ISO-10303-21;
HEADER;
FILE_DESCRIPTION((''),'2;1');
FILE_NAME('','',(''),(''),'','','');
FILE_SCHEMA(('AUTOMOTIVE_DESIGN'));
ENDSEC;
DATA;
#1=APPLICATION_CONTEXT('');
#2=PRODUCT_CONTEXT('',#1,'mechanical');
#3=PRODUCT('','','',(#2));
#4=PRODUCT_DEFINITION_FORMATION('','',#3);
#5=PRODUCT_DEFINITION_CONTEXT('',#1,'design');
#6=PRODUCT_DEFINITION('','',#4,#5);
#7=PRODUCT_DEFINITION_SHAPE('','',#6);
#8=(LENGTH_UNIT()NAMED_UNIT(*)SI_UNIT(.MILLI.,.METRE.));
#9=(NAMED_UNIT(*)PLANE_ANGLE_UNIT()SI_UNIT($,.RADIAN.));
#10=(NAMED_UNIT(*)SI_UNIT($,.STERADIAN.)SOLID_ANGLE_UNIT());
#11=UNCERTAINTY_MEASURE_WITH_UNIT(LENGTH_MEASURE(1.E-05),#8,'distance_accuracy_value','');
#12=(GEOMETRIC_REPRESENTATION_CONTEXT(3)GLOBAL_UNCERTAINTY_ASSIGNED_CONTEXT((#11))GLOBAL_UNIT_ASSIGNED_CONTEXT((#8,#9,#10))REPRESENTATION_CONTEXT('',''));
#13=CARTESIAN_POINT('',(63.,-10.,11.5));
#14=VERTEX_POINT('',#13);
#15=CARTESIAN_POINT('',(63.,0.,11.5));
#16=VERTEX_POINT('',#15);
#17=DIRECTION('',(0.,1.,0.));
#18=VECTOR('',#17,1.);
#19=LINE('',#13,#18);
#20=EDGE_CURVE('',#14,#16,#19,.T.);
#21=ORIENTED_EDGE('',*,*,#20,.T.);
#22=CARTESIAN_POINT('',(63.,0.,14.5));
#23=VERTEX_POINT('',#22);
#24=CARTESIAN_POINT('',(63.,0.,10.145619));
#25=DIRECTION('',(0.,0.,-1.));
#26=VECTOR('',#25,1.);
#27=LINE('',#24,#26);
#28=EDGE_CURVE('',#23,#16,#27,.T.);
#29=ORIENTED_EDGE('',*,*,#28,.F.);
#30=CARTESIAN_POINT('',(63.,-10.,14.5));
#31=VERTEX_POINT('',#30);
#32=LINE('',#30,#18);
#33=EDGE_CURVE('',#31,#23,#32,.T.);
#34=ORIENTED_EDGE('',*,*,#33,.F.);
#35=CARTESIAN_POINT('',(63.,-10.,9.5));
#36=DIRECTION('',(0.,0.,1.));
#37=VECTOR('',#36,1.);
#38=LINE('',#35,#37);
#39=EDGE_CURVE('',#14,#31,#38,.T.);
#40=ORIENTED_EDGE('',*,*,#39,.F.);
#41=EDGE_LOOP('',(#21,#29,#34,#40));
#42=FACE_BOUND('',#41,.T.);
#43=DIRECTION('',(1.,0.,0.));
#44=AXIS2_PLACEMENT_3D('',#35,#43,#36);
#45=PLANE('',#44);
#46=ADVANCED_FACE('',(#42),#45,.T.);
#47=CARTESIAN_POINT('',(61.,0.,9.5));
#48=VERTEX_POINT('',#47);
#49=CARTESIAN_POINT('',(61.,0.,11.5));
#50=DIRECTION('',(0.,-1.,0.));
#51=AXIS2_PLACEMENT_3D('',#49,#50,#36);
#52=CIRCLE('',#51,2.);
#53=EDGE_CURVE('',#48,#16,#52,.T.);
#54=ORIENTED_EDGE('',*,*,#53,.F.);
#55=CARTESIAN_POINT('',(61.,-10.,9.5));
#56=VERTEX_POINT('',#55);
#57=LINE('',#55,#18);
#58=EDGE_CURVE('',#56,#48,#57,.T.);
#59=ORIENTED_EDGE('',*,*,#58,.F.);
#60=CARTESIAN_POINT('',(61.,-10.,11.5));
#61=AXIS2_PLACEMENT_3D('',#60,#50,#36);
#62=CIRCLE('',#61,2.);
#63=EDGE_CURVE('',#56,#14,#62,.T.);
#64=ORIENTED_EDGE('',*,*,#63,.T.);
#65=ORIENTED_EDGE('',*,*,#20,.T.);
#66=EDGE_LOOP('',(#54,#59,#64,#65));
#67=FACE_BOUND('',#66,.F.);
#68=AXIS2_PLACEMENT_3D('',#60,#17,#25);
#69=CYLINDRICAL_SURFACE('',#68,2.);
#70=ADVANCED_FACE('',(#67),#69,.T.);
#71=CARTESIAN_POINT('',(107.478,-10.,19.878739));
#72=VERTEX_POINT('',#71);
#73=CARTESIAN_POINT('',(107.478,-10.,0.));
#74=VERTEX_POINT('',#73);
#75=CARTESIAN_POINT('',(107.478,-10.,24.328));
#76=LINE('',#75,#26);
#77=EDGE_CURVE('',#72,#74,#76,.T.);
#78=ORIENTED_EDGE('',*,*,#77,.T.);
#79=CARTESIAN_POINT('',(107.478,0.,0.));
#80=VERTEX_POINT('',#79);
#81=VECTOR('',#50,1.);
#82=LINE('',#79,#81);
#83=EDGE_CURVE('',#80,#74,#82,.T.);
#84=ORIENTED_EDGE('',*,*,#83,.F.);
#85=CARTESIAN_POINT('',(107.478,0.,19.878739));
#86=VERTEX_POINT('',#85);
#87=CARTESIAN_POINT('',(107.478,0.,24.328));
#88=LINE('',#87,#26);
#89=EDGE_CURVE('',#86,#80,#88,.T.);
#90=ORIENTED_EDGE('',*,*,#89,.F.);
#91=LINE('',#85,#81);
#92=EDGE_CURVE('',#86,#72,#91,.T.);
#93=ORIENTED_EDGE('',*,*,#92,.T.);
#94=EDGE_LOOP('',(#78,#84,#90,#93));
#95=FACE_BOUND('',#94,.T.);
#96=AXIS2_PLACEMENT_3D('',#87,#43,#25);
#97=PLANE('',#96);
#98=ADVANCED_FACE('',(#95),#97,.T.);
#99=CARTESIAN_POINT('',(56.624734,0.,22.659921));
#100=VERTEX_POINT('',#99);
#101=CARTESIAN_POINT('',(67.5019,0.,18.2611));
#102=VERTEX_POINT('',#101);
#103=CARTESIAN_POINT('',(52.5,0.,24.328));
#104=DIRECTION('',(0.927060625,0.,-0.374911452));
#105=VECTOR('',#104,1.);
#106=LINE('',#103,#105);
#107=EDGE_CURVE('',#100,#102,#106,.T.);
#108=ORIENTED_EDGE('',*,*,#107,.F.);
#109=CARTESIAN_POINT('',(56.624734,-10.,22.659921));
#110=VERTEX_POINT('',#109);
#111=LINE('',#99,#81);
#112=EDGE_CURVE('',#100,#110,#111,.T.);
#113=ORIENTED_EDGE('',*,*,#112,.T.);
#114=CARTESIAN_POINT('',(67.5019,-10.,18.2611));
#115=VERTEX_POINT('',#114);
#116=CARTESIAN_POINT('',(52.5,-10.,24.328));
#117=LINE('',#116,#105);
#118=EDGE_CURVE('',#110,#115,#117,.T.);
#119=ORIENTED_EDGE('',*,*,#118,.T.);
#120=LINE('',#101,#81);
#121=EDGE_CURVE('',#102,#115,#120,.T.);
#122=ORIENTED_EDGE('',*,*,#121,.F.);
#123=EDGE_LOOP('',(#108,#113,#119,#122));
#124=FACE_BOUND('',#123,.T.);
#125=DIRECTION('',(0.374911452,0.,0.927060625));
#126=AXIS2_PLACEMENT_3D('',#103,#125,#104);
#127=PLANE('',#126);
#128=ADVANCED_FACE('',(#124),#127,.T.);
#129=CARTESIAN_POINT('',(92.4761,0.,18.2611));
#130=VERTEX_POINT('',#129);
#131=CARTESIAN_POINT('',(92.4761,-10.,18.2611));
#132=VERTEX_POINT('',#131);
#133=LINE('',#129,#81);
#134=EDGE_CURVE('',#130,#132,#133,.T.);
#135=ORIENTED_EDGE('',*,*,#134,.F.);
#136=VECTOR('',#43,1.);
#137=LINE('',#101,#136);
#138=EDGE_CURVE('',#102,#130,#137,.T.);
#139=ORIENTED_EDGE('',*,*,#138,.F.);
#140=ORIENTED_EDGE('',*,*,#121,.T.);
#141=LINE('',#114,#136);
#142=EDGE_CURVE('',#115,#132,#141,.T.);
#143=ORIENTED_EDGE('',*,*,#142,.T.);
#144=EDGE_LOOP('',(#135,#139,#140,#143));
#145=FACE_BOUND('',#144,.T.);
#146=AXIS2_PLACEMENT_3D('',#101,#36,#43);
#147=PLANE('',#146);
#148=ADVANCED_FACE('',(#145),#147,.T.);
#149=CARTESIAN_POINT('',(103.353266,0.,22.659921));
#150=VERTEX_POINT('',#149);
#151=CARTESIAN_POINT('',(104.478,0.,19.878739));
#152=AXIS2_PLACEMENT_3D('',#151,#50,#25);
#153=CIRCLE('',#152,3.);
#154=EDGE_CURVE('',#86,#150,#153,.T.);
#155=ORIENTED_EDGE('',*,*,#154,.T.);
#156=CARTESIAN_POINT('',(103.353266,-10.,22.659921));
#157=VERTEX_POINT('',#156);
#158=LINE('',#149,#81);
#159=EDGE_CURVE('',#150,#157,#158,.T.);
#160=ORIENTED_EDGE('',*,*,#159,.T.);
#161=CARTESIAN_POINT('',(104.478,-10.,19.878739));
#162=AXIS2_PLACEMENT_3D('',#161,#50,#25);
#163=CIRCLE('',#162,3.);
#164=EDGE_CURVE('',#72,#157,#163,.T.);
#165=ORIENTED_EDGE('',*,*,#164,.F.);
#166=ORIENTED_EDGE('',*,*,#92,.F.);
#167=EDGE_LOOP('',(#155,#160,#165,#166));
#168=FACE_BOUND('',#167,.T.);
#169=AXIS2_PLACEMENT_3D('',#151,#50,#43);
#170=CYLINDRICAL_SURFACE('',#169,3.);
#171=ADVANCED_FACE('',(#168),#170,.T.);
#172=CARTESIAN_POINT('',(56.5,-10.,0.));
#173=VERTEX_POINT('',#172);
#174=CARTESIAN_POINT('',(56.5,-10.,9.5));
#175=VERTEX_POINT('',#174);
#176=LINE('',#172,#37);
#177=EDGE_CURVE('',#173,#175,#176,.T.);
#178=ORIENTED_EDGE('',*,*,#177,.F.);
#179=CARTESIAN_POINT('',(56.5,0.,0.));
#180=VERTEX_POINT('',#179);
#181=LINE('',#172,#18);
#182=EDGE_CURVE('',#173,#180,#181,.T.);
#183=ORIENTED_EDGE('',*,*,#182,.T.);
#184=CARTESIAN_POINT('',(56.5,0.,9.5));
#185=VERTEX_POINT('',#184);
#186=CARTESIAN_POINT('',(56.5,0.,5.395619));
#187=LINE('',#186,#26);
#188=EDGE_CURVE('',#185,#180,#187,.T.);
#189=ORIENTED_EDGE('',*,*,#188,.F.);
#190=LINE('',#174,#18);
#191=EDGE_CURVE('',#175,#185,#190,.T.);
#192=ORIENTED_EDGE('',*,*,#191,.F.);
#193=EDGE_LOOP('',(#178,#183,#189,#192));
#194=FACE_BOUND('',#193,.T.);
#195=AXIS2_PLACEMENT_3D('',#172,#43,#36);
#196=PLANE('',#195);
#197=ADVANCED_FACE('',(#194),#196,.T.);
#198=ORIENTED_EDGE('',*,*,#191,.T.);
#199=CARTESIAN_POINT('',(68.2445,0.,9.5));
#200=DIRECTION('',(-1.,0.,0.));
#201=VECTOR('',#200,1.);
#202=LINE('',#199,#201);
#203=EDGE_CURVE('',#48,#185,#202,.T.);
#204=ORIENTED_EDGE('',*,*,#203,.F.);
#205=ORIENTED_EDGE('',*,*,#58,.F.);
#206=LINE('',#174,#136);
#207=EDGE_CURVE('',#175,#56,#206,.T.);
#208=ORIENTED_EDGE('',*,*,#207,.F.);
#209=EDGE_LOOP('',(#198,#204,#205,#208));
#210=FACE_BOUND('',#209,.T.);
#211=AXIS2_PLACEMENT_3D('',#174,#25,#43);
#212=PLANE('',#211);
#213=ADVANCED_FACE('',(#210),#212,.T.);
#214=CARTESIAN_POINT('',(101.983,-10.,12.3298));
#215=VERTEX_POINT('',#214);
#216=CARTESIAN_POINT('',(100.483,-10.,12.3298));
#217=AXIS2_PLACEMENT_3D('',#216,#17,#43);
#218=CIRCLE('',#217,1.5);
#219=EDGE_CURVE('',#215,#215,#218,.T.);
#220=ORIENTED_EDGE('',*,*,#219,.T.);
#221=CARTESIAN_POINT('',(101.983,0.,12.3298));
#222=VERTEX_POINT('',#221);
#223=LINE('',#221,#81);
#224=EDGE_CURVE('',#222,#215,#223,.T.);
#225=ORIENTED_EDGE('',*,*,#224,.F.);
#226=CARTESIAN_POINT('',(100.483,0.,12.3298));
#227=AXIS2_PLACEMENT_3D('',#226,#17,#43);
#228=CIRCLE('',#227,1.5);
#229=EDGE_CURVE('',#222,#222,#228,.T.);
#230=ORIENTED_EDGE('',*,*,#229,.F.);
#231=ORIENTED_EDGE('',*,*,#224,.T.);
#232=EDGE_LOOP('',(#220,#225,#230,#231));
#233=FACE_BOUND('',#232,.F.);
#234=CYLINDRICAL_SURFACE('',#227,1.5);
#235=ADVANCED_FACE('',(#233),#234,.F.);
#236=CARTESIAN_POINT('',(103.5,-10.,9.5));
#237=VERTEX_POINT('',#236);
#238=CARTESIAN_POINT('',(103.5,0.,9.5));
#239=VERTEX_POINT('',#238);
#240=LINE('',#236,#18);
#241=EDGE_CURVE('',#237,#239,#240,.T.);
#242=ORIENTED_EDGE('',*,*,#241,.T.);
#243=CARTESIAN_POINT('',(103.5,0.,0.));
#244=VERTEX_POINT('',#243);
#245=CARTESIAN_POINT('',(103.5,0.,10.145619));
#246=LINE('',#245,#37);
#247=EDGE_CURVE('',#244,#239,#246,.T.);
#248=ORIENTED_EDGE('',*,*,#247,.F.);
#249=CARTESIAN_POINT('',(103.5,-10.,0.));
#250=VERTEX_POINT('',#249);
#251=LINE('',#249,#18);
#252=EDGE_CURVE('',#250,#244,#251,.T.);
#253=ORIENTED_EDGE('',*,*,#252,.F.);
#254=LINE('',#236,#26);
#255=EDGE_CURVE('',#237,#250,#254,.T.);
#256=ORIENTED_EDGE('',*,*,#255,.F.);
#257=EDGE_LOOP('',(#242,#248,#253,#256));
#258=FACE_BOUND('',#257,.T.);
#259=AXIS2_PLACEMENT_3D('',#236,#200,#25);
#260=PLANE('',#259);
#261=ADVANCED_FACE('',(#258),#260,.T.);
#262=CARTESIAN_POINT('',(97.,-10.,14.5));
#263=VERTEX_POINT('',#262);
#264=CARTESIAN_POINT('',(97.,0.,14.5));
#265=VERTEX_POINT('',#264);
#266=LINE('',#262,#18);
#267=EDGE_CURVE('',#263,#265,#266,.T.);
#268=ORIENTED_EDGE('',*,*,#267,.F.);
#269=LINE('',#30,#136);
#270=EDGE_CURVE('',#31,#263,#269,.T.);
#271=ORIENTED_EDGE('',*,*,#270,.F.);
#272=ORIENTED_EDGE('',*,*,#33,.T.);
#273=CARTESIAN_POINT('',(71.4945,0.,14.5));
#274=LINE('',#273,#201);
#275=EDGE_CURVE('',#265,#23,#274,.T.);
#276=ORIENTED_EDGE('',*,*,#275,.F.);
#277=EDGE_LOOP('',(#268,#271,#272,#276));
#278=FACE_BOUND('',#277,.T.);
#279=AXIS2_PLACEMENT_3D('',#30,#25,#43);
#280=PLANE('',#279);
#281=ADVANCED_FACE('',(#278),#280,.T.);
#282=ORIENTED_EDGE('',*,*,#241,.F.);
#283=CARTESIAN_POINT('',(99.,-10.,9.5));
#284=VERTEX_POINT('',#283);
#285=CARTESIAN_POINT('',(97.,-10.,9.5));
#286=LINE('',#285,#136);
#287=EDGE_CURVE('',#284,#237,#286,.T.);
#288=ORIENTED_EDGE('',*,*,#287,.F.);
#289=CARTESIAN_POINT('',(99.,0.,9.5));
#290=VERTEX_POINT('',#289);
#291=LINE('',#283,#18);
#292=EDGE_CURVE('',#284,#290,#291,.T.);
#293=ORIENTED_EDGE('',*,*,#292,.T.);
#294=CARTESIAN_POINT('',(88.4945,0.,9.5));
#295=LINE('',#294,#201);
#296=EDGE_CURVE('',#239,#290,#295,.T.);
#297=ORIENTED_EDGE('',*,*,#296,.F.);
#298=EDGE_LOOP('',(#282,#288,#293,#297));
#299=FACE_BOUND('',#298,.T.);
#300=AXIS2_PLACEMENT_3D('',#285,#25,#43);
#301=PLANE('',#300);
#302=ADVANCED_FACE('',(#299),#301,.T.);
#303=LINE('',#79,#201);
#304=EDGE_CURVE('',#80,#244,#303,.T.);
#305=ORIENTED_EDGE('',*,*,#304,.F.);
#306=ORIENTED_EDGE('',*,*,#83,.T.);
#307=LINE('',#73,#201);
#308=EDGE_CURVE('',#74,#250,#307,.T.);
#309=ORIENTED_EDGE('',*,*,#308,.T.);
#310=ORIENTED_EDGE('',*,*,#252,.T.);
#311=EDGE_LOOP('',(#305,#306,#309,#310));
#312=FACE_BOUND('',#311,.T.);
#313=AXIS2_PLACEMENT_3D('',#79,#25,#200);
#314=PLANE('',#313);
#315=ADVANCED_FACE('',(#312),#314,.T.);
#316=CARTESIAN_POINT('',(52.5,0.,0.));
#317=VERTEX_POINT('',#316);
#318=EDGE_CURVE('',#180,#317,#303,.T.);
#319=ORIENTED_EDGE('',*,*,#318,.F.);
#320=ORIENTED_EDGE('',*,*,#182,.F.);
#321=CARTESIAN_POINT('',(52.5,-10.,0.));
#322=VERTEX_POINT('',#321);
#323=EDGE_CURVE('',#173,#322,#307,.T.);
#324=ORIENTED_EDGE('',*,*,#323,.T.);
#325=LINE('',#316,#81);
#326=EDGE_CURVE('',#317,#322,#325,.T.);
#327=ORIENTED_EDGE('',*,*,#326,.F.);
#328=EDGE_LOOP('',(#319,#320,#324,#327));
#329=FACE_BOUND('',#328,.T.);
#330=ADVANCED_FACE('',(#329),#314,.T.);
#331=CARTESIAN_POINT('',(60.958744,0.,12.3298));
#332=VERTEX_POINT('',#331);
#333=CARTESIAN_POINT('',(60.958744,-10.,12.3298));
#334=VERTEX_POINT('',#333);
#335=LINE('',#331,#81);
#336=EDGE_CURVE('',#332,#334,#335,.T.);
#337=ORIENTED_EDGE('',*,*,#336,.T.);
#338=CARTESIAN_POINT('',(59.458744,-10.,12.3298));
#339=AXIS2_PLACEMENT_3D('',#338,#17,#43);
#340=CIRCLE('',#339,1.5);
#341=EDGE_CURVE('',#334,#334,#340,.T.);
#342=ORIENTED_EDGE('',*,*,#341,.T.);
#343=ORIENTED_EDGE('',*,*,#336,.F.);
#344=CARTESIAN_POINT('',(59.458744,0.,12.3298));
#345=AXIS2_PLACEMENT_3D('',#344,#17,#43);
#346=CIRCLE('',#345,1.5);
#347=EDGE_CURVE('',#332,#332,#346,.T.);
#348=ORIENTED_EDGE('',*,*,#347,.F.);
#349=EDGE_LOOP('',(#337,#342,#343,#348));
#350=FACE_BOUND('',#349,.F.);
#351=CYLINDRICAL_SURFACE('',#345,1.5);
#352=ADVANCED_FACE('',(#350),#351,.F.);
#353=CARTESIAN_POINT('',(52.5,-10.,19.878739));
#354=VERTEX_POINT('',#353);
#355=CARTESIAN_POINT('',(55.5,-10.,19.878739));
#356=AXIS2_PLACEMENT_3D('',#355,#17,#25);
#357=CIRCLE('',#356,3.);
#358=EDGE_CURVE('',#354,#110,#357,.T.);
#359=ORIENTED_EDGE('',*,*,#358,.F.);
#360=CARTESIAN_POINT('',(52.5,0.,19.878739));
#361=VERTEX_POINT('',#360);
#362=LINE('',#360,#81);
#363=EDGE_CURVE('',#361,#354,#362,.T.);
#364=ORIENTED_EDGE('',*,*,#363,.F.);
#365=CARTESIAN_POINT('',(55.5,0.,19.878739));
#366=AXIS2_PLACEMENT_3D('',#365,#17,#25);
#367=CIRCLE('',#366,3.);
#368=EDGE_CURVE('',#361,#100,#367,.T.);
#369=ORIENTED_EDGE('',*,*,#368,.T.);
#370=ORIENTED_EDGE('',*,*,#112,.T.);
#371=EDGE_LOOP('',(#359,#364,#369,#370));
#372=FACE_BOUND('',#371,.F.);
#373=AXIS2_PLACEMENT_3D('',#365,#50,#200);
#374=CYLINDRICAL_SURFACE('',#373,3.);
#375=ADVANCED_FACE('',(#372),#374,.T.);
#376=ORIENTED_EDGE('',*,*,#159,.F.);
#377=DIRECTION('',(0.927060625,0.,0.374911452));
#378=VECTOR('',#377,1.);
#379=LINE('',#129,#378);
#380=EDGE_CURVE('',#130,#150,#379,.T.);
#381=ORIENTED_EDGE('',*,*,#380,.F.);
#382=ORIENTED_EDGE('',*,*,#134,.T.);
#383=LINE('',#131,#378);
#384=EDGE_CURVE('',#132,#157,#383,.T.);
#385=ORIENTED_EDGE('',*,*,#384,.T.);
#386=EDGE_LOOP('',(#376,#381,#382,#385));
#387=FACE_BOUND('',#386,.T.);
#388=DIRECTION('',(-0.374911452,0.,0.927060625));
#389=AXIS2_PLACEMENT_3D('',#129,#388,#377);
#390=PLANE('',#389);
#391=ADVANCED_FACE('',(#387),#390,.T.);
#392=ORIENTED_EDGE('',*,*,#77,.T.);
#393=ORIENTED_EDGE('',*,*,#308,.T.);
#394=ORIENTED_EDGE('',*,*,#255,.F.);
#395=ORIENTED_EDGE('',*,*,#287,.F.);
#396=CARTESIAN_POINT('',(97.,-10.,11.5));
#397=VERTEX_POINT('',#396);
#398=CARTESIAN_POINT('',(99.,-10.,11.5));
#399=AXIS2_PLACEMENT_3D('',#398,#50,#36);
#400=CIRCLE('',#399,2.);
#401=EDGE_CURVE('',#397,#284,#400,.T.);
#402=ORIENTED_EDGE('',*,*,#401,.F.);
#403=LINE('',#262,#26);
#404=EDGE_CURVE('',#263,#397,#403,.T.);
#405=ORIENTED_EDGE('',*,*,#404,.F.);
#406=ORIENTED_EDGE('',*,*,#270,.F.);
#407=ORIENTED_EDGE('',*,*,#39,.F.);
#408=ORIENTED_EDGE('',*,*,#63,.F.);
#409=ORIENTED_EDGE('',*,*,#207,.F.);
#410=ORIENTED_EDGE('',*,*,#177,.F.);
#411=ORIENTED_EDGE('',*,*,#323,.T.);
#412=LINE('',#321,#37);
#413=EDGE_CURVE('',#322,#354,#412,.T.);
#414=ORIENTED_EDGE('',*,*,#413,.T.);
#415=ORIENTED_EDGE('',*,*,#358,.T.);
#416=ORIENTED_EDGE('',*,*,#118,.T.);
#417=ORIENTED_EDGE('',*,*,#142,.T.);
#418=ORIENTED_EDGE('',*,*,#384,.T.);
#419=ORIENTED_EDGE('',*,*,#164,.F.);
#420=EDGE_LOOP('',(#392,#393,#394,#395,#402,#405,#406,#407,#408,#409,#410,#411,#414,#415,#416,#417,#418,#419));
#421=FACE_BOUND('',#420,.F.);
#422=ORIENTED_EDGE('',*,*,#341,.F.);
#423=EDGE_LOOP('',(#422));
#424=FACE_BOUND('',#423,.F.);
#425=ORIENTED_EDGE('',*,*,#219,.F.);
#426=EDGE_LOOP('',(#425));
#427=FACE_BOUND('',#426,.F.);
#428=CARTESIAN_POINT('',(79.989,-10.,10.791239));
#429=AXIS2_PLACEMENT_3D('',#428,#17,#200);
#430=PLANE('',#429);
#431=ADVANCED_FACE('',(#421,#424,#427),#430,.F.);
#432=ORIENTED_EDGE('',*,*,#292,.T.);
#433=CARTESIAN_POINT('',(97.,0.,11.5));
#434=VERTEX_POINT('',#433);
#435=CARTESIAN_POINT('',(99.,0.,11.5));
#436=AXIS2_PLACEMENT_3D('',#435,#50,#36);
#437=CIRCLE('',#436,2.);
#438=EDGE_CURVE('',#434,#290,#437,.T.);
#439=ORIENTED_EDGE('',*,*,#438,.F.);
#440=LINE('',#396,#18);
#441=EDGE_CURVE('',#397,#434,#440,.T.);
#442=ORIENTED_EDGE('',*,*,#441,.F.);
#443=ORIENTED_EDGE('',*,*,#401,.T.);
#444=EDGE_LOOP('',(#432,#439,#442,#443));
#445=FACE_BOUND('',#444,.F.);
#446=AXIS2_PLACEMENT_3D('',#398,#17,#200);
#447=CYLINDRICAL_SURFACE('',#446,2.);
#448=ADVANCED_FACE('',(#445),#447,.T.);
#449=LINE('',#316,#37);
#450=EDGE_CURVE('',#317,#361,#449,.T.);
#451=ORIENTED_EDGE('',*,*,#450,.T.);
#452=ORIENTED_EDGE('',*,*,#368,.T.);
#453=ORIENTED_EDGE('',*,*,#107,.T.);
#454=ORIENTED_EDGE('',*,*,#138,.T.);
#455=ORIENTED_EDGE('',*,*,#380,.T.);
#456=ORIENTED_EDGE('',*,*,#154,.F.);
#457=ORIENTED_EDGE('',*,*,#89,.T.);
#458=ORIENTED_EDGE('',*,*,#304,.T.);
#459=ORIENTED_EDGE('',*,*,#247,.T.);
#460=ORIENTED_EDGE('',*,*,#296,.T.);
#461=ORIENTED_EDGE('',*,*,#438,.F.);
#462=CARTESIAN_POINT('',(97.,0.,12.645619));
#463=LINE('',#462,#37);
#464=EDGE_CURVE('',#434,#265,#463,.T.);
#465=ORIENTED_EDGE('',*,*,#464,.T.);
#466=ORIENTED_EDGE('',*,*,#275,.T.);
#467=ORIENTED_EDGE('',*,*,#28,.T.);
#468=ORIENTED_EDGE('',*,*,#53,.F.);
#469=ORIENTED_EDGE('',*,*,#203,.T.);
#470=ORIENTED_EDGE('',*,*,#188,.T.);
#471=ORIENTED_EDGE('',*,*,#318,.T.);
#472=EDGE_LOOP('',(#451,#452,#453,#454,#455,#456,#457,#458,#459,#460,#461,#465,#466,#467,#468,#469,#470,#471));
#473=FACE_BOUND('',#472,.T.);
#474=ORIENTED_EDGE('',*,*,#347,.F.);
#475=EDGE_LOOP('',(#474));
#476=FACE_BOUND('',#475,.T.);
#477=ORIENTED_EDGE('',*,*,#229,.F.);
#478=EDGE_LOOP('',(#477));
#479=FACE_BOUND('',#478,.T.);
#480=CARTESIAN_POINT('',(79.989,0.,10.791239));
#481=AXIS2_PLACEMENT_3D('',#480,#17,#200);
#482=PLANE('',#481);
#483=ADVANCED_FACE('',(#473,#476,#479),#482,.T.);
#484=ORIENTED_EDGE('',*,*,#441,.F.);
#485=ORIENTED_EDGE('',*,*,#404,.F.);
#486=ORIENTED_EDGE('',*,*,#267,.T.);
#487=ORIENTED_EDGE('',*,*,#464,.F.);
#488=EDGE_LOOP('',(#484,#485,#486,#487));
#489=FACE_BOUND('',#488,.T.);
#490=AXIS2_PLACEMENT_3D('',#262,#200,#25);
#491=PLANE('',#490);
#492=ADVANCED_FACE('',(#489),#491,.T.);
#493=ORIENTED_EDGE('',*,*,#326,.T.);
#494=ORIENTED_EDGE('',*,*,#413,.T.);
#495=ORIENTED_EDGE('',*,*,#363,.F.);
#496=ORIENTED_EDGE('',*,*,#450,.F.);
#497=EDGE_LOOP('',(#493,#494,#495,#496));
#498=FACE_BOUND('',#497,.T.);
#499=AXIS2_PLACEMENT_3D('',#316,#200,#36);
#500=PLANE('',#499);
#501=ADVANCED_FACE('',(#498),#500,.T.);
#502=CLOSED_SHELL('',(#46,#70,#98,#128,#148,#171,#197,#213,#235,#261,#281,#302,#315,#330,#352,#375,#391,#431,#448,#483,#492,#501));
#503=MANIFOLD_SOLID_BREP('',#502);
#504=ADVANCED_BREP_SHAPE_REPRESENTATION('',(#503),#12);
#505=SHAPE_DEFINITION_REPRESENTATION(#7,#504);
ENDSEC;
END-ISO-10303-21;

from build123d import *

# Parameters (mm, degrees)
PAD_DEPTH       = 10
SKETCH001_R     = 1.5
POCKET_DEPTH    = 10.001
FILLET_R        = 3
POCKET001_DEPTH = 10.001
FILLET001_R     = 2


with BuildPart() as part:
    # Sketch → Pad (new body)
    with BuildSketch(Plane.XZ):
        Polygon((52.5, 0), (52.5, 24.328), (67.5019, 18.2611), (92.4761, 18.2611), (107.478, 24.328), (107.478, 0), align=None)
    extrude(amount=PAD_DEPTH)

    # Sketch001 → Pocket (cut, through all)
    with BuildSketch(Plane(origin=(0, 0, 0), x_dir=(1, 0, 0), z_dir=(0, 1, 0))):
        with Locations((100.483, -12.3298)):
            Circle(SKETCH001_R)
        with Locations((59.458744, -12.3298)):
            Circle(SKETCH001_R)
    extrude(amount=-POCKET_DEPTH, mode=Mode.SUBTRACT)

    # Fillet
    fillet_edges = [part.edges().sort_by_distance(p)[0] for p in [
        (52.5, -5, 24.328),
        (107.478, -5, 24.328),
    ]]
    fillet(fillet_edges, radius=FILLET_R)

    # Sketch002 → Pocket001 (cut, through all)
    with BuildSketch(Plane.XZ.offset(10)):
        Polygon((56.5, 0), (56.5, 9.5), (63, 9.5), (63, 14.5), (97, 14.5), (97, 9.5), (103.5, 9.5), (103.5, 0), align=None)
    extrude(amount=-POCKET001_DEPTH, mode=Mode.SUBTRACT)

    # Fillet001
    fillet001_edges = [part.edges().sort_by_distance(p)[0] for p in [
        (63, -5, 9.5),
        (97, -5, 9.5),
    ]]
    fillet(fillet001_edges, radius=FILLET001_R)


solid = part.part
